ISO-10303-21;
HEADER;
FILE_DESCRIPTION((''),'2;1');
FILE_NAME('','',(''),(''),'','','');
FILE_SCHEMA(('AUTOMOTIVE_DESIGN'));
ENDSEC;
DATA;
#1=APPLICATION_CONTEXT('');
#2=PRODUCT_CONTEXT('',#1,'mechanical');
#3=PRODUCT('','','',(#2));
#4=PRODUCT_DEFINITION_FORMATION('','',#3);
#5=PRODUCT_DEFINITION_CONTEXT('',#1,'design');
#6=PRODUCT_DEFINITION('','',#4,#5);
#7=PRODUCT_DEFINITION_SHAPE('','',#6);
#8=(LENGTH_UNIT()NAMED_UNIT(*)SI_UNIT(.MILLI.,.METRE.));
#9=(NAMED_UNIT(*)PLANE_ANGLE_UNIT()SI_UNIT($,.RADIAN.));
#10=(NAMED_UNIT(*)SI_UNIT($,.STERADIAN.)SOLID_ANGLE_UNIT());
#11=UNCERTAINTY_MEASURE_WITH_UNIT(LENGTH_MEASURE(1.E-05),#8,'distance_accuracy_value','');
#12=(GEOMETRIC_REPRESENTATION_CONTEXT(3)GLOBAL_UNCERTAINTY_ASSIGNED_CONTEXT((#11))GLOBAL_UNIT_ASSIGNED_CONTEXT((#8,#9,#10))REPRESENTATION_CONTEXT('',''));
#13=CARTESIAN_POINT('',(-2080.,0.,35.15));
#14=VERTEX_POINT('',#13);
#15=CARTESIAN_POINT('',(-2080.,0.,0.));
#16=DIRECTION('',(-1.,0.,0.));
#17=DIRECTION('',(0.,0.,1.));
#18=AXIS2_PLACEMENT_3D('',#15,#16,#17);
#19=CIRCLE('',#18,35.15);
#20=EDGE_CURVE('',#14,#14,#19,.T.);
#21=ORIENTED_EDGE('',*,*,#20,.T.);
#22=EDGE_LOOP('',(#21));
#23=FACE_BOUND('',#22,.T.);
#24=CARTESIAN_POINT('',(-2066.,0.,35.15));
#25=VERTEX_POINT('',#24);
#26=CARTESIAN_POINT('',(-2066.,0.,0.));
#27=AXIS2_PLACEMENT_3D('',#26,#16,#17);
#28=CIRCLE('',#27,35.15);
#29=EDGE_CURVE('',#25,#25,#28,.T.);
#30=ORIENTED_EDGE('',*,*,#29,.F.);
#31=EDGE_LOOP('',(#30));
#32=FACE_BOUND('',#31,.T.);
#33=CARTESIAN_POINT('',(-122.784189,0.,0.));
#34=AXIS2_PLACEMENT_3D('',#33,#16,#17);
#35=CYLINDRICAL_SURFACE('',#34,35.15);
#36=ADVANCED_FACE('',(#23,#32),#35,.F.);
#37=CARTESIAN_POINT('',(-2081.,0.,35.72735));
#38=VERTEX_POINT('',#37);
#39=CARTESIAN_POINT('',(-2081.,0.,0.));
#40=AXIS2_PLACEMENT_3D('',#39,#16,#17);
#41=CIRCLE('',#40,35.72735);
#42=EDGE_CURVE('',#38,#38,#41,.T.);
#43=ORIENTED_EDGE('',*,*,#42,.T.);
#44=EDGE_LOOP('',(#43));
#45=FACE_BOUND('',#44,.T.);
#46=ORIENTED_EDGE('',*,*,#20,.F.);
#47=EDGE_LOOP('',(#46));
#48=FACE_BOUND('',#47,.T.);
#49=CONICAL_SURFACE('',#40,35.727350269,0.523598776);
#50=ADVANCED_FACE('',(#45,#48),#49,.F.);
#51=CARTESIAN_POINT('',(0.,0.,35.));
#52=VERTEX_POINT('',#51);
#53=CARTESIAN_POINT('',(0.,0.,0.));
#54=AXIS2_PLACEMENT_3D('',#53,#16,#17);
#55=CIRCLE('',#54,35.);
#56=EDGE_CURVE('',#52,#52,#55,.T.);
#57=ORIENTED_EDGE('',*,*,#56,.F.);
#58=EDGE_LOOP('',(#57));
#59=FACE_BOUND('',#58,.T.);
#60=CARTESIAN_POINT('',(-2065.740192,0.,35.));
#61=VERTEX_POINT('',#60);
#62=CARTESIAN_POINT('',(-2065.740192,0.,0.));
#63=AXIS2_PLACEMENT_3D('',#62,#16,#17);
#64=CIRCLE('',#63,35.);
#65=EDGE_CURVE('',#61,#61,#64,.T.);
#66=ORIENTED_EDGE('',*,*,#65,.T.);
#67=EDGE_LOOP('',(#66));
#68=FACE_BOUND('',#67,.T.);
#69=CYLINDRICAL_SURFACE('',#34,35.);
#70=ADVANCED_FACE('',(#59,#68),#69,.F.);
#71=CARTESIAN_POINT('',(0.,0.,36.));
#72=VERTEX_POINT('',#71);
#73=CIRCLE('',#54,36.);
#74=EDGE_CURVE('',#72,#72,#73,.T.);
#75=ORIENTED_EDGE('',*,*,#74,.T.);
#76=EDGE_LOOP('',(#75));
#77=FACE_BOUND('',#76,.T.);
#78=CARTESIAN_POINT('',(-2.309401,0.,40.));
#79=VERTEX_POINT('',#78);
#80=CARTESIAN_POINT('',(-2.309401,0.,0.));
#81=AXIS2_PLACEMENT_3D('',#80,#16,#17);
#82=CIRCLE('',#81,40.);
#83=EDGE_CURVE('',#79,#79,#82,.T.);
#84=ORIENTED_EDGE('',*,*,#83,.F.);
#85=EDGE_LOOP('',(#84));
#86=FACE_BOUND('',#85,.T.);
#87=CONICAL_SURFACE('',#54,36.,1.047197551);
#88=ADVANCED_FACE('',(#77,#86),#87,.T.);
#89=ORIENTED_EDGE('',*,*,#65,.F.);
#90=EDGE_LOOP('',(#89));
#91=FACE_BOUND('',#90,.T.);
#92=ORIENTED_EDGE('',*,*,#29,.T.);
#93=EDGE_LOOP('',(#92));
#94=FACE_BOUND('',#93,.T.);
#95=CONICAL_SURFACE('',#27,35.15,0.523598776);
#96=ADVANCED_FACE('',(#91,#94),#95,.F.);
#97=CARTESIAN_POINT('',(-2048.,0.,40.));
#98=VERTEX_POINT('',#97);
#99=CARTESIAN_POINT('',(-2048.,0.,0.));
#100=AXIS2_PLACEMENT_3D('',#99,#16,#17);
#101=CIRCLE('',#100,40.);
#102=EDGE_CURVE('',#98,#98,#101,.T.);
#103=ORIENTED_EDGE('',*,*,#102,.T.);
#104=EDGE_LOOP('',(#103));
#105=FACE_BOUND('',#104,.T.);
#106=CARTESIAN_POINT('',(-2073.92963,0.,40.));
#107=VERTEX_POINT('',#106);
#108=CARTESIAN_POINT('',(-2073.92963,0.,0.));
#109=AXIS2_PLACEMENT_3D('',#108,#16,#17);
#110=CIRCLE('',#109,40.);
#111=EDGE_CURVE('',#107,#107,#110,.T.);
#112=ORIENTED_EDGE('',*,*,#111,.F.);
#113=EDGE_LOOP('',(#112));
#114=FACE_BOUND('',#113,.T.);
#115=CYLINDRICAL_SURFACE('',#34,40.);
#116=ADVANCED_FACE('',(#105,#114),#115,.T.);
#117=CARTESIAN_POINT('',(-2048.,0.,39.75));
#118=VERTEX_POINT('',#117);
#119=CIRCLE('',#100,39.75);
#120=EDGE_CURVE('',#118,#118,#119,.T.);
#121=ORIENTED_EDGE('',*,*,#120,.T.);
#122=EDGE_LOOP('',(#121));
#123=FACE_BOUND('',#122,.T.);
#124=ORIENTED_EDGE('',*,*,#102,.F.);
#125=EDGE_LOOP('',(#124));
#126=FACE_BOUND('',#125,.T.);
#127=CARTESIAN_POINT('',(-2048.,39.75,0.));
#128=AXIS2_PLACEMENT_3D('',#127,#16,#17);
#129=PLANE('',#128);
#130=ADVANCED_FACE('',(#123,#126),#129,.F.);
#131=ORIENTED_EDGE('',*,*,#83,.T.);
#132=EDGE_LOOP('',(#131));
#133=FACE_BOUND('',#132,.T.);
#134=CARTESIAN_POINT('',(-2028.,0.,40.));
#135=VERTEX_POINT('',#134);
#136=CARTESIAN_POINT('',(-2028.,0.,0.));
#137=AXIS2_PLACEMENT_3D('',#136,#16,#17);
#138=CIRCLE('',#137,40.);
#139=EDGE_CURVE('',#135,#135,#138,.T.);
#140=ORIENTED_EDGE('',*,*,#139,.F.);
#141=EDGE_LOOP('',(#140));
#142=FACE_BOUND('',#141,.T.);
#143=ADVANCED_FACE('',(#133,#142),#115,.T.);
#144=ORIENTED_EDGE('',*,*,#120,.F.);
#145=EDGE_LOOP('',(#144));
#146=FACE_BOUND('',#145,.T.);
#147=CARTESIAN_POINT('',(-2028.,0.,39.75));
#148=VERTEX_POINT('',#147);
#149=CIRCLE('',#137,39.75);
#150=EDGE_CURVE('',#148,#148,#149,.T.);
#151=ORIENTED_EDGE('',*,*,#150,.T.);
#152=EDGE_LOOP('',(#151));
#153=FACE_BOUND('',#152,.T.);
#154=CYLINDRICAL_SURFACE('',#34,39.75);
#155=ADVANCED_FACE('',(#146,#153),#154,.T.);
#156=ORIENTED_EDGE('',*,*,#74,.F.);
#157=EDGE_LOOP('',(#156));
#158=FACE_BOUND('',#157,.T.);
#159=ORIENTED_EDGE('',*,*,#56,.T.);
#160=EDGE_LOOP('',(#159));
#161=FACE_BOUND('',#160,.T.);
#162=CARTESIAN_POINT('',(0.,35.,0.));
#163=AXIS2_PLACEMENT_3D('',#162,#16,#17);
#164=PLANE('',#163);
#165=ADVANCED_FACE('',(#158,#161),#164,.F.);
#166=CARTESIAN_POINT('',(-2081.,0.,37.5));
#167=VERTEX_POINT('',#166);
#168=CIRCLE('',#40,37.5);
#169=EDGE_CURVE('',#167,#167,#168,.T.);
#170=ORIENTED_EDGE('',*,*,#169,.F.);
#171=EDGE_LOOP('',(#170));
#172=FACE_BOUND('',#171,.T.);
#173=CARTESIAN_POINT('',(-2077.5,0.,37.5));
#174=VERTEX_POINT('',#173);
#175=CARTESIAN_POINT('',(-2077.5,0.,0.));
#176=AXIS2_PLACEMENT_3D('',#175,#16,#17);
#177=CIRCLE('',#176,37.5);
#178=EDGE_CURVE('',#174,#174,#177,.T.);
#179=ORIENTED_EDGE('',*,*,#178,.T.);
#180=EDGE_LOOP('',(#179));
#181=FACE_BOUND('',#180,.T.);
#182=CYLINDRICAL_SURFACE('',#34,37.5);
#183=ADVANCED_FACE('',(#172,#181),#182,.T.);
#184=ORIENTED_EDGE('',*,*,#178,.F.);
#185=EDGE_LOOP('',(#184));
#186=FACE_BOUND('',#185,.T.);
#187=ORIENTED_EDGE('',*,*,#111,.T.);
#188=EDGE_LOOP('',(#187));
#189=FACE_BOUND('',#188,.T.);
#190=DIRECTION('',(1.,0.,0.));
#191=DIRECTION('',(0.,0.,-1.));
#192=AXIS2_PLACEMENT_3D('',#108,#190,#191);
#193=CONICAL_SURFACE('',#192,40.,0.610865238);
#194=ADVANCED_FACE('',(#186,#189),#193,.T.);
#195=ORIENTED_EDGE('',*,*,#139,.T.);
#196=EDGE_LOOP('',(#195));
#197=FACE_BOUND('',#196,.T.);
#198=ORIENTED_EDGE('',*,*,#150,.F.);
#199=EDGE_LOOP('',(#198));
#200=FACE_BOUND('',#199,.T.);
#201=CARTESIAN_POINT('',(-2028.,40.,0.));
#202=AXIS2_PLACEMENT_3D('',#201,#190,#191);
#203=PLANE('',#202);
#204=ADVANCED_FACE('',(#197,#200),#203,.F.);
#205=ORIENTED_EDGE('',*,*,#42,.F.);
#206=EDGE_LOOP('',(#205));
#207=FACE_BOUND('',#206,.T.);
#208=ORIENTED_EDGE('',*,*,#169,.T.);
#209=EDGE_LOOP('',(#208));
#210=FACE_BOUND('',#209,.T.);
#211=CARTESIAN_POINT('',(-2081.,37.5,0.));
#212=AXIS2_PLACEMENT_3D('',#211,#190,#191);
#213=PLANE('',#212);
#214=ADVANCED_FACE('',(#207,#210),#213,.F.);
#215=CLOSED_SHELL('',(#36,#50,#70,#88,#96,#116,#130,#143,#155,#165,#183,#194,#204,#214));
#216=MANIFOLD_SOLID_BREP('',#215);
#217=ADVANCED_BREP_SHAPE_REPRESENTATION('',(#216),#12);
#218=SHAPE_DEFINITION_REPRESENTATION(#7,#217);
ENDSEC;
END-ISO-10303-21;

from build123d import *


with BuildPart() as part:
    # Sketch1 → Base-Revolve (revolve)
    with BuildSketch(Plane.XY):
        Polygon((0, 35), (0, 36), (-2.309401077, 40), (-2028, 40), (-2028, 39.75), (-2048, 39.75), (-2048, 40), (-2073.929629983, 40), (-2077.5, 37.5), (-2081, 37.5), (-2081, 35.727350269), (-2080, 35.15), (-2066, 35.15), (-2065.740192379, 35), align=None)
    revolve(axis=Axis((-122.784188742, 0, 0), (1, 0, 0)))


solid = part.part
